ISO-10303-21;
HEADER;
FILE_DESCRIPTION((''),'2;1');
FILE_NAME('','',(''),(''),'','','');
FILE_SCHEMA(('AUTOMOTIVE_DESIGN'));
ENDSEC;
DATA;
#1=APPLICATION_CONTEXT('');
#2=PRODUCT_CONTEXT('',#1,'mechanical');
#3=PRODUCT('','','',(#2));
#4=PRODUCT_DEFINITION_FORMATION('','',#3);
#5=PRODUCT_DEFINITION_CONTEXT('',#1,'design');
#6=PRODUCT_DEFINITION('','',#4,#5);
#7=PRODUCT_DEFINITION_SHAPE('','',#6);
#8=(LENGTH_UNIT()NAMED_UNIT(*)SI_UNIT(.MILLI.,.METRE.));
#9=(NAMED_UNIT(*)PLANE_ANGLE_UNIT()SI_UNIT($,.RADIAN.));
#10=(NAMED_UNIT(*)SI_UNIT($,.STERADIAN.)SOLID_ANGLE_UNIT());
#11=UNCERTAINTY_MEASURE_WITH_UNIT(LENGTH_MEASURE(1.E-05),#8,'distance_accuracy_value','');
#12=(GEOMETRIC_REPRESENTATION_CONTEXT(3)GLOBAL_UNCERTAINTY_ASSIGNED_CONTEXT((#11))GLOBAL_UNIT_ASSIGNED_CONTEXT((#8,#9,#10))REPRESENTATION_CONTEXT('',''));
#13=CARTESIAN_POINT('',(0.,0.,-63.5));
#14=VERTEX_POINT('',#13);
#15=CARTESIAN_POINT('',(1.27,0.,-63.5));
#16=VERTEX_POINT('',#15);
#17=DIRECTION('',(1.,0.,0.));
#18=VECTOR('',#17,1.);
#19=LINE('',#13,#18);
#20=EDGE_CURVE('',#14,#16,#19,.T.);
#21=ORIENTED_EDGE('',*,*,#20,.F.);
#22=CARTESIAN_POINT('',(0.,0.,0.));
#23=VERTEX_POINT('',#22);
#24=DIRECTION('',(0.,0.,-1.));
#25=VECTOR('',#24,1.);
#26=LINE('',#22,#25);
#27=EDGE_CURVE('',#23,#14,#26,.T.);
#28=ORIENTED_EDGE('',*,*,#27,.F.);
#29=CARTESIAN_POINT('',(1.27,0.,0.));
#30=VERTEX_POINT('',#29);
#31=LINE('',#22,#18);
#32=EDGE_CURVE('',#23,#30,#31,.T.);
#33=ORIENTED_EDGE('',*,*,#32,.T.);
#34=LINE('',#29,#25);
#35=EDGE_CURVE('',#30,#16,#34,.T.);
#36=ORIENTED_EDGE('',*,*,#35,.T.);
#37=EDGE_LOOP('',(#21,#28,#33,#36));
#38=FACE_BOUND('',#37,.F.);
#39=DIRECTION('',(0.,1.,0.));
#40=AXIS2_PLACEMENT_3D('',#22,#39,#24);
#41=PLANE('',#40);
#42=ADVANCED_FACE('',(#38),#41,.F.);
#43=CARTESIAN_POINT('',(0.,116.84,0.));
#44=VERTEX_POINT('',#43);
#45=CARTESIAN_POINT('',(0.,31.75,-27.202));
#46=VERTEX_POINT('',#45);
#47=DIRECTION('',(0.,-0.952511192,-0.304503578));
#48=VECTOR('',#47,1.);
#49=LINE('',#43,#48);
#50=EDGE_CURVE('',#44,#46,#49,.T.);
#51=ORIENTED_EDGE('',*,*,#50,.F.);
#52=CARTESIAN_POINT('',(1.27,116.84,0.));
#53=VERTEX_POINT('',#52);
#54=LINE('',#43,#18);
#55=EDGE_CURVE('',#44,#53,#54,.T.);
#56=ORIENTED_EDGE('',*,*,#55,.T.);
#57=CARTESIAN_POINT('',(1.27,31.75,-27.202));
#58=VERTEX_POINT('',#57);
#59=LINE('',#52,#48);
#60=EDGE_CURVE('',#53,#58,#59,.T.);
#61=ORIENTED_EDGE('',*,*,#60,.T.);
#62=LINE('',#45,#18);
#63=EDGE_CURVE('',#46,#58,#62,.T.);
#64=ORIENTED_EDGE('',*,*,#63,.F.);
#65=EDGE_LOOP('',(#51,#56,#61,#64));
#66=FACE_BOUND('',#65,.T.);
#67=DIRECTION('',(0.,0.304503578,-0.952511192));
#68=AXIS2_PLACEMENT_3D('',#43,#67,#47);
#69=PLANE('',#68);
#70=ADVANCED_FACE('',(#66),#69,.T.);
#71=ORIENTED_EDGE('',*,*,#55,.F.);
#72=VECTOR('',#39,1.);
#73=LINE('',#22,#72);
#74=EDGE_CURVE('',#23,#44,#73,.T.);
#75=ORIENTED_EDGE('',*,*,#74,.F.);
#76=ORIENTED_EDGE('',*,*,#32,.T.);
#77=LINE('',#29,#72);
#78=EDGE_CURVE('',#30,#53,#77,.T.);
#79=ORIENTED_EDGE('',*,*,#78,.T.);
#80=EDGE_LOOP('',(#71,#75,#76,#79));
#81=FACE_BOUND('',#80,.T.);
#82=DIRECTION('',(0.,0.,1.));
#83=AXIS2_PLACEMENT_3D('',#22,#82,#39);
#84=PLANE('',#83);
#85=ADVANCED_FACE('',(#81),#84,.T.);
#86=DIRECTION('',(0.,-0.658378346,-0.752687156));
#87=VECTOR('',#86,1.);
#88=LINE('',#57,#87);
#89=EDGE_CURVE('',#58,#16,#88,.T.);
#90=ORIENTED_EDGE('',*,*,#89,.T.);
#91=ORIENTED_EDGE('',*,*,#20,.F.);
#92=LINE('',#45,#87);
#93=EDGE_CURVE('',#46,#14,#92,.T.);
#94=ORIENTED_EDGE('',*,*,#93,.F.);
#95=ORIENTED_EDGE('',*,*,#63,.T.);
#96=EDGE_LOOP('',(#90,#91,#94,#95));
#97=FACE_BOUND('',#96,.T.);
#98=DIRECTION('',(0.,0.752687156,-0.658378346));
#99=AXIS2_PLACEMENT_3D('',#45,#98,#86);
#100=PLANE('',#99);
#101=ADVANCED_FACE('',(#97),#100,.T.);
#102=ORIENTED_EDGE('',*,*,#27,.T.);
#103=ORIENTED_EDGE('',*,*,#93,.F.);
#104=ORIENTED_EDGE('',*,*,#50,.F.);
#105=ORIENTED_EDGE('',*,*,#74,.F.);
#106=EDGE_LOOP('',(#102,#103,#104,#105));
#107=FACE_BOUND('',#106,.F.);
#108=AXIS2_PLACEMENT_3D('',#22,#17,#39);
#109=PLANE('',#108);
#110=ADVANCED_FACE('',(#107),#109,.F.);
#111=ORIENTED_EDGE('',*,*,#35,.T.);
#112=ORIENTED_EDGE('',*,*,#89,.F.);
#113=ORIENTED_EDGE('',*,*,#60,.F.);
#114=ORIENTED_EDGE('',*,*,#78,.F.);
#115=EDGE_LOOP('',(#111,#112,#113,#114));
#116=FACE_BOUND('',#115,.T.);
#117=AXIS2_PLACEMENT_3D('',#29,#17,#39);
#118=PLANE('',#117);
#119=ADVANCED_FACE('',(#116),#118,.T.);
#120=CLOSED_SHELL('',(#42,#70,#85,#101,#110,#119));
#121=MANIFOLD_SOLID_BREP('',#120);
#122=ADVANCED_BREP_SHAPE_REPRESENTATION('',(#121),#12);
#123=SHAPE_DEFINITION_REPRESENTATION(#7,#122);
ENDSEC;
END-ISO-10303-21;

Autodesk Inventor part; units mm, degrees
ref_plane "YZ Plane" through (0, 0, 0) normal (1, 0, 0) x (0, 1, 0)
ref_plane "XZ Plane" through (0, 0, 0) normal (0, 1, 0) x (-1, 0, 0)
ref_plane "XY Plane" through (0, 0, 0) normal (0, 0, 1) x (1, 0, 0)
sketch "Sketch1" plane through (0, 0, 0) normal (1, 0, 0) x (0, 1, 0)
  line L0 (0, 0) -> (0, -63.5)
  line L1 (0, 0) -> (63.5, 0) construction
  line L2 (0, 0) -> (116.84, 0)
  line L3 (116.84, 0) -> (31.75, -27.202)
  line L4 (31.75, -27.202) -> (0, -63.5)
  dimension "d5" = 63.5
  dimension "d6" = 90
  dimension "d7" = 116.84
extrude "Extrusion1" add sketch "Sketch1" along normal blind 1.27
properties part number "fins"
